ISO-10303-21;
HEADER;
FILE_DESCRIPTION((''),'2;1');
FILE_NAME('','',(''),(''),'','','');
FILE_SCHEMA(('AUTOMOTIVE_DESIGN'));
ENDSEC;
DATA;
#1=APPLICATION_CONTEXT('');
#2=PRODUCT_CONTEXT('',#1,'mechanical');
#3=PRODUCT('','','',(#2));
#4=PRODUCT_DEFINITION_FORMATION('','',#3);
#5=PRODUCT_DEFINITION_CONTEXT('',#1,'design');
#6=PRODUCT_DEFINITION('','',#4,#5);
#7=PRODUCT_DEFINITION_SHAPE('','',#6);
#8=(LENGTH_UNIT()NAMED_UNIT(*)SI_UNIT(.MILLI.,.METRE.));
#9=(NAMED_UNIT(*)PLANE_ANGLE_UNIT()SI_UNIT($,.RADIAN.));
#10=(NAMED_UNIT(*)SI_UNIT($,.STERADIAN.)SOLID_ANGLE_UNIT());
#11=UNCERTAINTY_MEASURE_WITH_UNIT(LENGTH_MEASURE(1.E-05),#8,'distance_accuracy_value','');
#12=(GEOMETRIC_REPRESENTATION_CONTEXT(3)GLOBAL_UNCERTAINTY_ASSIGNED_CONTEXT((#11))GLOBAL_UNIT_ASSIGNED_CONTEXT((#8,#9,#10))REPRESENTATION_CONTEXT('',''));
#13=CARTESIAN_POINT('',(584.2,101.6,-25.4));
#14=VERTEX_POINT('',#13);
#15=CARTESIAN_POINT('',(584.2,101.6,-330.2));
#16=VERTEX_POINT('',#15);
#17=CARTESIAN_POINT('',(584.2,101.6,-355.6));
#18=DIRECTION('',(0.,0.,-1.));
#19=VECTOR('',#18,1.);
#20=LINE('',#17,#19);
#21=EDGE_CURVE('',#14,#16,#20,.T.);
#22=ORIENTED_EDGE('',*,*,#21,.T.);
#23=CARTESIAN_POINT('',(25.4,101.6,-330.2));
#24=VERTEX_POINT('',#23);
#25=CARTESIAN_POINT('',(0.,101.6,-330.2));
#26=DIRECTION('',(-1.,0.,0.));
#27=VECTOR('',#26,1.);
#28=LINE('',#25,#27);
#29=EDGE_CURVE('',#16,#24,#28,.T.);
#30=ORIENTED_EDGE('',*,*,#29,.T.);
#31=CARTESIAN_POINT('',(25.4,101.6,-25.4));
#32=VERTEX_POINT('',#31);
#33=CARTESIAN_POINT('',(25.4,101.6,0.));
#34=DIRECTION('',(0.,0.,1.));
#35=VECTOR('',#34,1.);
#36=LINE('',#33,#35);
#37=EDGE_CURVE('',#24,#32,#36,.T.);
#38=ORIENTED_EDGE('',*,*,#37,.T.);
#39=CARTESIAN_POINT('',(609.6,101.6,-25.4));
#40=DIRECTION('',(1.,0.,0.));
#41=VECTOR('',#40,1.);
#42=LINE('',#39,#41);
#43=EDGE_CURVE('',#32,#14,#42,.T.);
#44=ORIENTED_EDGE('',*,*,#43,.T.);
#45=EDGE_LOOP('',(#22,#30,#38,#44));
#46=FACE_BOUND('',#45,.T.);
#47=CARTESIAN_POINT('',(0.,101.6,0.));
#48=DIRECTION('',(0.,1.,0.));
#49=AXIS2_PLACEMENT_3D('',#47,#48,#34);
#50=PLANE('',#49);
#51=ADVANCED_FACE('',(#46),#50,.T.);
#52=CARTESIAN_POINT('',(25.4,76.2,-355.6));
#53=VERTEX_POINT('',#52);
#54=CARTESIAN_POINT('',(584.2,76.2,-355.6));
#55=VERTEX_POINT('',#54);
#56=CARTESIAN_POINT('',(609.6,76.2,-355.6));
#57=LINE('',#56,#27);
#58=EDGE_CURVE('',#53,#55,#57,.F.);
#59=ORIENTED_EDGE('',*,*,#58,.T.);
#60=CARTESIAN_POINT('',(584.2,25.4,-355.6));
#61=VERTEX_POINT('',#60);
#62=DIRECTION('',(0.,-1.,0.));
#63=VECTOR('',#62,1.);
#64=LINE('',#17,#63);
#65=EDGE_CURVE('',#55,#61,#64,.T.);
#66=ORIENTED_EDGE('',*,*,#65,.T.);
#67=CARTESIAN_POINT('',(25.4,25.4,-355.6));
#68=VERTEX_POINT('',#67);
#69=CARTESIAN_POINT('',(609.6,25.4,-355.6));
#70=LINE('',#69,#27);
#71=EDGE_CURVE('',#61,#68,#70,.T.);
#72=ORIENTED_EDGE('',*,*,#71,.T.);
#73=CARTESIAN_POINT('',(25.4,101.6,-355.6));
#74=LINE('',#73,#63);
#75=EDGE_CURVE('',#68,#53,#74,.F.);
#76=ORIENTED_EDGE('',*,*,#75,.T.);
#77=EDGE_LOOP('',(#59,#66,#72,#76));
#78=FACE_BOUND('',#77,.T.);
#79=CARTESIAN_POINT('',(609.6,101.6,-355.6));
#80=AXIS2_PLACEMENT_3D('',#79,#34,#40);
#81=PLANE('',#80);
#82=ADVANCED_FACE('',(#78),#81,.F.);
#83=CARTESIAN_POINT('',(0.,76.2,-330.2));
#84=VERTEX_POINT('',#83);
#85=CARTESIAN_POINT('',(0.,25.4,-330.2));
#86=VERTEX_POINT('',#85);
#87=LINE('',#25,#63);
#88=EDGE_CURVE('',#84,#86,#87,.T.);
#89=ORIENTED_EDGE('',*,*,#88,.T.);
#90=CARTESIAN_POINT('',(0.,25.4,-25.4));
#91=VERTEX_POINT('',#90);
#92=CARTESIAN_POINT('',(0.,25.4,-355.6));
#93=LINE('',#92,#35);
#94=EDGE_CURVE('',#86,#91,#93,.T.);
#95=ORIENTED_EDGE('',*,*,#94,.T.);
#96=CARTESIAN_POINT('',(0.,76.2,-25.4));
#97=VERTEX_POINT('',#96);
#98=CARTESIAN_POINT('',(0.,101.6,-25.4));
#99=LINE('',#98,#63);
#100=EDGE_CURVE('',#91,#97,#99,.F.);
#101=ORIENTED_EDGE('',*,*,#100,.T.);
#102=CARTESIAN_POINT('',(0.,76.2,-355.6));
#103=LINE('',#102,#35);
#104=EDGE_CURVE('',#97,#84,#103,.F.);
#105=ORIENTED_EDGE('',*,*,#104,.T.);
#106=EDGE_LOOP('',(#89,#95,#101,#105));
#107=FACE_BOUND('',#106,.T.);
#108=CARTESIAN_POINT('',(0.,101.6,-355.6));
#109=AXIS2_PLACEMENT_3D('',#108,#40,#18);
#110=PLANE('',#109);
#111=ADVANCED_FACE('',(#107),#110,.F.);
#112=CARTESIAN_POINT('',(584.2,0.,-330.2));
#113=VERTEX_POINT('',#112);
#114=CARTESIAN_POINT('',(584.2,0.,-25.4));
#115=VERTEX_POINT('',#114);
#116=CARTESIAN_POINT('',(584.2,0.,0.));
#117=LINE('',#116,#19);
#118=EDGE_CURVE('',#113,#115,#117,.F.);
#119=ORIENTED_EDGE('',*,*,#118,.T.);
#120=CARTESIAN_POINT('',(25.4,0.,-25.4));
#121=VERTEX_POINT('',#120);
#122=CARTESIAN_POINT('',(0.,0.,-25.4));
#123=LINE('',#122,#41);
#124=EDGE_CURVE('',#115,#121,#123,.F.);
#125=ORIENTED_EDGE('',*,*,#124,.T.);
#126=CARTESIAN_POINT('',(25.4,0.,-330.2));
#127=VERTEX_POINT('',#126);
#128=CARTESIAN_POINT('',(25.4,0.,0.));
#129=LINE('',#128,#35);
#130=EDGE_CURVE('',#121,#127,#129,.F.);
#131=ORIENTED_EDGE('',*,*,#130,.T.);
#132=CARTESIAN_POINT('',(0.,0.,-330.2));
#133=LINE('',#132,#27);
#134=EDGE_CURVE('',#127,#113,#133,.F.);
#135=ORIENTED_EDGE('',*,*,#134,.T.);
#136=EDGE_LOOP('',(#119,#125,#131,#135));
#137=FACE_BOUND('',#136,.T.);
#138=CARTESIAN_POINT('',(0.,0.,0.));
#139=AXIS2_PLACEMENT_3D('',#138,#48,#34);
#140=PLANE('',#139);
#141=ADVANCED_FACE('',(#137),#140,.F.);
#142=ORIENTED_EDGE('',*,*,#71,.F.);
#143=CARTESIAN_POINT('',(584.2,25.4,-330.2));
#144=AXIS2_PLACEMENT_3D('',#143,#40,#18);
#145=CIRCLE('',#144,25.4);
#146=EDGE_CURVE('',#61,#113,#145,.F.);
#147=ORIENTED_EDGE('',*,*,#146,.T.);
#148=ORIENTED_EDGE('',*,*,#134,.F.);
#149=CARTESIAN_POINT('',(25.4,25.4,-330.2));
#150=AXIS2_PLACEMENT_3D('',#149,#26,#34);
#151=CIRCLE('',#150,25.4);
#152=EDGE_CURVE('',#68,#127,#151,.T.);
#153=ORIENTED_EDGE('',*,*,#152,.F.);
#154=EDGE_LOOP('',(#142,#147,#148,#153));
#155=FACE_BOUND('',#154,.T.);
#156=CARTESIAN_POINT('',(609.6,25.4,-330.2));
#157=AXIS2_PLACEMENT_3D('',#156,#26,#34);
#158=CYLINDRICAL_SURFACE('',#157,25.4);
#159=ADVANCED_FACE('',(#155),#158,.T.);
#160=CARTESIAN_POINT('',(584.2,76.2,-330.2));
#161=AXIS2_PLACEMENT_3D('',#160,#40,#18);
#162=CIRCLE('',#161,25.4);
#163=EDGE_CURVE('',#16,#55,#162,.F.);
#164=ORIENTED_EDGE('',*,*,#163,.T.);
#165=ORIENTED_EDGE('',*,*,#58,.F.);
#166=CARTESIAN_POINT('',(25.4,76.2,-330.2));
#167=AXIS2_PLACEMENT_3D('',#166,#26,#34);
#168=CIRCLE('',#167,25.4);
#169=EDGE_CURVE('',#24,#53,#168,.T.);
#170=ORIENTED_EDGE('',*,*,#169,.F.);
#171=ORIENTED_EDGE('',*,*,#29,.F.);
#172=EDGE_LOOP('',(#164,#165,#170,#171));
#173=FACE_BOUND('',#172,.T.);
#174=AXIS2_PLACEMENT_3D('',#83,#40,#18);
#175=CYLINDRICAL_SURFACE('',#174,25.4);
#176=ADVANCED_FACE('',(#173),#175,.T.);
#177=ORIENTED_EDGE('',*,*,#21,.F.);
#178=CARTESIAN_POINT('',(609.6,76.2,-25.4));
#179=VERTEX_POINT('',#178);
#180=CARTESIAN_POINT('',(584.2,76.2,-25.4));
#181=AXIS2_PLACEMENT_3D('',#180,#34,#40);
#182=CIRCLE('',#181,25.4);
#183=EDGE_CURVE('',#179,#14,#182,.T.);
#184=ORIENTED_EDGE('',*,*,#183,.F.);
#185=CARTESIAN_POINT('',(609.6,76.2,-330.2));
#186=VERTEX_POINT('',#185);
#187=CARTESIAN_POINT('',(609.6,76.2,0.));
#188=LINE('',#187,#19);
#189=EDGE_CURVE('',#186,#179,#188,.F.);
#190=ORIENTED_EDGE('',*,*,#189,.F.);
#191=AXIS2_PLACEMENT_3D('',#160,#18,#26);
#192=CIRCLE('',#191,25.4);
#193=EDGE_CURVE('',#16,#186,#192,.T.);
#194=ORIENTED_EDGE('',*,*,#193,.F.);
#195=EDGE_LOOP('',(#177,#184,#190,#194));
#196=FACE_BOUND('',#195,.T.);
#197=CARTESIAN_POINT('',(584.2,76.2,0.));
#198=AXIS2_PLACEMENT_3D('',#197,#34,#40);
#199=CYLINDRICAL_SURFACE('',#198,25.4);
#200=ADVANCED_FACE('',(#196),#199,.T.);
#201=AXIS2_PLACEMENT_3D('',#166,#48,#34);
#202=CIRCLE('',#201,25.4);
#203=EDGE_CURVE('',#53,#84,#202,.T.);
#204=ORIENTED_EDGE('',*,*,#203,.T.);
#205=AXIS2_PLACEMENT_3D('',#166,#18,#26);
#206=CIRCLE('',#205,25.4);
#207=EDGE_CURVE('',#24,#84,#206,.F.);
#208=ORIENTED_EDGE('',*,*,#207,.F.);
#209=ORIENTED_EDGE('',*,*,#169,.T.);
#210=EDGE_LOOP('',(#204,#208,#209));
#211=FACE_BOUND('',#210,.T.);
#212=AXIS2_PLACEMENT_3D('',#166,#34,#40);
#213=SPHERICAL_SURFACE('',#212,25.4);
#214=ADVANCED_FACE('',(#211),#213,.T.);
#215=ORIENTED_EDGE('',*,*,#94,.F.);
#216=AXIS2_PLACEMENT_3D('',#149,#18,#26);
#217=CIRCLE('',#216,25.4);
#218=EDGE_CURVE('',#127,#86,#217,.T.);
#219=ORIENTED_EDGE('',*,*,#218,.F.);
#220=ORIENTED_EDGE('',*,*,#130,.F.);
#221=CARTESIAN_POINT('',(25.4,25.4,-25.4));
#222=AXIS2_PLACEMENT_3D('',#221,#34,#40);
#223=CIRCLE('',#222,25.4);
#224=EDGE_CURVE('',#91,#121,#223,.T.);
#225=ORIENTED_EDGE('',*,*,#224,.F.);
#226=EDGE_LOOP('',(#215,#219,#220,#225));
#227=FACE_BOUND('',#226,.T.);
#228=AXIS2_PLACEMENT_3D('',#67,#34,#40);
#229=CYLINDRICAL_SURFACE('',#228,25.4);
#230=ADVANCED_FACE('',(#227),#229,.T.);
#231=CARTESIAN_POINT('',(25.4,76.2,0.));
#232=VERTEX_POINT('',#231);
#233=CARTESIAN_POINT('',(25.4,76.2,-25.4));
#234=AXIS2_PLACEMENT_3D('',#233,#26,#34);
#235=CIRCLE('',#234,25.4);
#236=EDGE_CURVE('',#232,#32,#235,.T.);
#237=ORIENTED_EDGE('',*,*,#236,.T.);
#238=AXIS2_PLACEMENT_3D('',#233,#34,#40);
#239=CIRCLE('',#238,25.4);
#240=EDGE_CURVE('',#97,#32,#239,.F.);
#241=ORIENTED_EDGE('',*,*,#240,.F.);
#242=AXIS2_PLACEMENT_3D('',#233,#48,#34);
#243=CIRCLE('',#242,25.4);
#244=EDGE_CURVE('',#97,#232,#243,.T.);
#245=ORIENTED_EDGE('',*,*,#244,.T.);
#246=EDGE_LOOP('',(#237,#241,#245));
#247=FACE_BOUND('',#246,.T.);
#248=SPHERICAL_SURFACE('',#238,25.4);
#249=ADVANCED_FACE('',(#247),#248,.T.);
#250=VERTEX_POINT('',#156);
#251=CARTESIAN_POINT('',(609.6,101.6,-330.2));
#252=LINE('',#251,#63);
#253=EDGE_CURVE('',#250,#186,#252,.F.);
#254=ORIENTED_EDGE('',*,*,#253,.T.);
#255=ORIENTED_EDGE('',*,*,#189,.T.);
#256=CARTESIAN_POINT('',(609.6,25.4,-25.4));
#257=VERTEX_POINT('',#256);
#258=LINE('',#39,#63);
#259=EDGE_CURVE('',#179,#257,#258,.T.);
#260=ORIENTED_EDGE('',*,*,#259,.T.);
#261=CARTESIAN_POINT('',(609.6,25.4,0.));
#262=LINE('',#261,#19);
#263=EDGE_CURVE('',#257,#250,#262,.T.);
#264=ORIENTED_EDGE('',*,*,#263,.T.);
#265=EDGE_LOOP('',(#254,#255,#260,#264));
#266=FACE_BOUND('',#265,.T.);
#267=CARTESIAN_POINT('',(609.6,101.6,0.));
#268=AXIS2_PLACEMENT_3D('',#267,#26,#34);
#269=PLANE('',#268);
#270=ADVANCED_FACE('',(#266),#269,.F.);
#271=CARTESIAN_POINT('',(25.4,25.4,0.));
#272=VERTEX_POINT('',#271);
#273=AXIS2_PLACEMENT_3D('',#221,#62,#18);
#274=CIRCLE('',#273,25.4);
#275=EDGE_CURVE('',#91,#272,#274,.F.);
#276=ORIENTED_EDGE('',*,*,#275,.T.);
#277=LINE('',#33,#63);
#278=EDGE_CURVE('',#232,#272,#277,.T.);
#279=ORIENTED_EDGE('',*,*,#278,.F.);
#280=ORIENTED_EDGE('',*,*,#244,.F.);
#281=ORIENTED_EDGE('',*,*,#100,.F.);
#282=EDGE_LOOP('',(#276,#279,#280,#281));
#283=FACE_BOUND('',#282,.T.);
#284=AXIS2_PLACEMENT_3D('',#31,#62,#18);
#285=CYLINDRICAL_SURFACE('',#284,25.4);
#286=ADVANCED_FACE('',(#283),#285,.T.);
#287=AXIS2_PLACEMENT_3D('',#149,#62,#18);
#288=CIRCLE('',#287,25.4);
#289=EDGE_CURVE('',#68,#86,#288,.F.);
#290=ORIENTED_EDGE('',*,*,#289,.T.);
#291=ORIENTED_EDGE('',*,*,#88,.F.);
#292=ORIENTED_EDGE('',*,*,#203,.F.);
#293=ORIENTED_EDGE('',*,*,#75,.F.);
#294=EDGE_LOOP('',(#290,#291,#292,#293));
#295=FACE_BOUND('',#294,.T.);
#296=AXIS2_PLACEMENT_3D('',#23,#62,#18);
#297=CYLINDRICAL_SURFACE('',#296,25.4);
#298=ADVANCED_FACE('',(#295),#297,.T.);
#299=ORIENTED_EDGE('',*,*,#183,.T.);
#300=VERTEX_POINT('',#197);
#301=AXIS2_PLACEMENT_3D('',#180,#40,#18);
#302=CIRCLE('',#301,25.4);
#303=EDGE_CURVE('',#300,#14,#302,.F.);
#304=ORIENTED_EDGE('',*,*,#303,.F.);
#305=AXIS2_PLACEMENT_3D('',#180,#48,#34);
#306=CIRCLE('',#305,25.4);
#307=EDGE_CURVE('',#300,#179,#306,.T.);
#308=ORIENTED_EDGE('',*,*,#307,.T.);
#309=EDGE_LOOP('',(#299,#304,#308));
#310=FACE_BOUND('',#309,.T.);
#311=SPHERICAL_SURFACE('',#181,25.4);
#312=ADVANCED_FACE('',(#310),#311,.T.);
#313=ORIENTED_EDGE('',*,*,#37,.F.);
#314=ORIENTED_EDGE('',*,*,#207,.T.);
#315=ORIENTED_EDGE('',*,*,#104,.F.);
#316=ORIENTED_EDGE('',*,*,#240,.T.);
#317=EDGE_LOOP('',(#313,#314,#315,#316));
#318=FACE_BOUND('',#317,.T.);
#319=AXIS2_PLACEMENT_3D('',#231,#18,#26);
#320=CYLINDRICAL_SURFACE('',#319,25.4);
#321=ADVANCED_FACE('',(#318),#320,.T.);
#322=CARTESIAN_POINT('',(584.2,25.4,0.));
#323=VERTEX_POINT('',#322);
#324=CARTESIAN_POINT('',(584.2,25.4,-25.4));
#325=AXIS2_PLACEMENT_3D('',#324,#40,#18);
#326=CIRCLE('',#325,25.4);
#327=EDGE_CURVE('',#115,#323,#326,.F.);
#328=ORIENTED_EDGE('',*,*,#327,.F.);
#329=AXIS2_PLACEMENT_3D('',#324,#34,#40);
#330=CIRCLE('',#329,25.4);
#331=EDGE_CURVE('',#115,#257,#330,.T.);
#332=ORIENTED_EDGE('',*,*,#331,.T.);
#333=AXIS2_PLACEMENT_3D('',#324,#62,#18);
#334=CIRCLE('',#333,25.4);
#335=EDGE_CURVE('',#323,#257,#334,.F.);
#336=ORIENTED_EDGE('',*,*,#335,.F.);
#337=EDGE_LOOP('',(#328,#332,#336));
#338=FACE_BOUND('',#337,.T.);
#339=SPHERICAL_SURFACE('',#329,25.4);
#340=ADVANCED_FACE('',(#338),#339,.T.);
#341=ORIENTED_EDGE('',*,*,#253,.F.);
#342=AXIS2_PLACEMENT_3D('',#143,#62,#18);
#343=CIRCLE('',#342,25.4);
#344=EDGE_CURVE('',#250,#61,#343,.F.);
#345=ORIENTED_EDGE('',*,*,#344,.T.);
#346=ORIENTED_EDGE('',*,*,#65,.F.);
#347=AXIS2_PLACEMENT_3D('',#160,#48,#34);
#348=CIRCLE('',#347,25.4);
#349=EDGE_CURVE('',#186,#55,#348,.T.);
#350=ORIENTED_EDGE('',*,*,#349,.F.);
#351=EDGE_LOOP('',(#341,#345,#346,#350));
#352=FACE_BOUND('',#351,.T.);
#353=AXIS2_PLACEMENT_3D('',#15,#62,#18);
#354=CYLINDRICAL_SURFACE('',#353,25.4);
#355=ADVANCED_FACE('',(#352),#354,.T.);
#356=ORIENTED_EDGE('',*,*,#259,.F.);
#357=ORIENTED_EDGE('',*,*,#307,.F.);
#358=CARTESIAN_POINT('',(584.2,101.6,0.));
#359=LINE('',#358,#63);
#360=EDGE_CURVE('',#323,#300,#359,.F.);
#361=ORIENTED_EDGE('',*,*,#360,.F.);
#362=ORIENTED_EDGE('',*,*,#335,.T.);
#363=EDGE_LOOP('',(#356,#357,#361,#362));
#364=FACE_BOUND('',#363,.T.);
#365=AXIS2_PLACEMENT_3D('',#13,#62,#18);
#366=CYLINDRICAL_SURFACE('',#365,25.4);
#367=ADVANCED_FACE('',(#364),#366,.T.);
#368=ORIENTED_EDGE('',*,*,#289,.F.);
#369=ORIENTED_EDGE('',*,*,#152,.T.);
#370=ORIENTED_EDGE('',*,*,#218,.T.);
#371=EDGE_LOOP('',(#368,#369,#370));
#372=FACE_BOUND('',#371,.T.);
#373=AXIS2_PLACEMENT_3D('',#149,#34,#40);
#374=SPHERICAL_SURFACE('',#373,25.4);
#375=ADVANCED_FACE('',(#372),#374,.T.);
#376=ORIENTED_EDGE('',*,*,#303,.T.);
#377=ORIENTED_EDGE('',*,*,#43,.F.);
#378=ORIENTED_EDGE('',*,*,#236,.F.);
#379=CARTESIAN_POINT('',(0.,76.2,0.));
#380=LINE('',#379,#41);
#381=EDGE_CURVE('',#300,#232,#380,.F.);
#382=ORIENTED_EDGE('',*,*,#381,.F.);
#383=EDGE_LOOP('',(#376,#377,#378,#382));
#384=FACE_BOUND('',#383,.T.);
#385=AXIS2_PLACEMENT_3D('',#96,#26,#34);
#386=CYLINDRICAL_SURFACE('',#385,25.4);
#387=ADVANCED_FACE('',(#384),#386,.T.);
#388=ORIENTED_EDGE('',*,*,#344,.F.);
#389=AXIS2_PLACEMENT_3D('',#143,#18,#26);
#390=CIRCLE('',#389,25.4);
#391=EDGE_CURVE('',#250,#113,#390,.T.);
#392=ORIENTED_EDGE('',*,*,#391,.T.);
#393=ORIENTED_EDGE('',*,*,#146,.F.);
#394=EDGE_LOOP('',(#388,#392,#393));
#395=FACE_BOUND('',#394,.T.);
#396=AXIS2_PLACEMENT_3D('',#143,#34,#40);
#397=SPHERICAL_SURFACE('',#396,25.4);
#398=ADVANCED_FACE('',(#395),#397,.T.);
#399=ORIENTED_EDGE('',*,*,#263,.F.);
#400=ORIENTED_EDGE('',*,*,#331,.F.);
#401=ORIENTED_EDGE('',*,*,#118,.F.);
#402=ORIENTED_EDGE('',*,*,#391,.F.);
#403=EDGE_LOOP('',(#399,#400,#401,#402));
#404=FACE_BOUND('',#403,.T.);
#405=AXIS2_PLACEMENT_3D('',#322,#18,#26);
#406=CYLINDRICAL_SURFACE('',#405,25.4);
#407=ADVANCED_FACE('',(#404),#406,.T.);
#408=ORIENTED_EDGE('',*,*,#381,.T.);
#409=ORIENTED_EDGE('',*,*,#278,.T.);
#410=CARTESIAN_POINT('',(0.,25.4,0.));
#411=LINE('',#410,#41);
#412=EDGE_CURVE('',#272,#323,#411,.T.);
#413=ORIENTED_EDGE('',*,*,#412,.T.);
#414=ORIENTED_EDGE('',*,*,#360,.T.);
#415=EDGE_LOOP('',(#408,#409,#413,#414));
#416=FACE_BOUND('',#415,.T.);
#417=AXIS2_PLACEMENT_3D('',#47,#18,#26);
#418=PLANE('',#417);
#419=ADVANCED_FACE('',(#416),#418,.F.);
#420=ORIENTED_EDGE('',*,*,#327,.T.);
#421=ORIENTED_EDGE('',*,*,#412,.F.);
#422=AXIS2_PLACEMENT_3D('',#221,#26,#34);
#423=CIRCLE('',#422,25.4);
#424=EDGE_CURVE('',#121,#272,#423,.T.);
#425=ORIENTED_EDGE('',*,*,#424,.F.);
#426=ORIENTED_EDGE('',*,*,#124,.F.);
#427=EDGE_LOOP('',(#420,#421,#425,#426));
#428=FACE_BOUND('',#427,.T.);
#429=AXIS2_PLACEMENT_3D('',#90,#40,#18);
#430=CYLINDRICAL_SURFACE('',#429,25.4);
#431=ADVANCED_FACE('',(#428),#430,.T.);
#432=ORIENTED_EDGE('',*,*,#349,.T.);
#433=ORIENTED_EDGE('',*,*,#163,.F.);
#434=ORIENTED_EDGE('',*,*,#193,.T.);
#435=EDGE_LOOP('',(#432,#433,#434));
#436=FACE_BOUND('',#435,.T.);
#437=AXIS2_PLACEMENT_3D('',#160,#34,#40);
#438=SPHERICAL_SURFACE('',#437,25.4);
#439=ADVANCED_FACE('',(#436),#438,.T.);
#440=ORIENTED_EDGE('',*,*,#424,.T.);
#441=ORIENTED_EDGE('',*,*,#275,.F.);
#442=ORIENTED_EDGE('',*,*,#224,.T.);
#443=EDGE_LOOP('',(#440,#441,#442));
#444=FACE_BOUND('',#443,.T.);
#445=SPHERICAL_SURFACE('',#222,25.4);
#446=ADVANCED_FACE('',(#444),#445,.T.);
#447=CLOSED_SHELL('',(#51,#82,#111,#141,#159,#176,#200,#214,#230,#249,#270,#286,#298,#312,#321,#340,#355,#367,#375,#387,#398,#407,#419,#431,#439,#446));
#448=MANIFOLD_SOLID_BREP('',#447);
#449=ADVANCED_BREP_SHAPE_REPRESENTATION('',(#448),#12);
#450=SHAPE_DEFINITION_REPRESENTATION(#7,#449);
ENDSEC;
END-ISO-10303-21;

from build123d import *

# Parameters (mm, degrees)
SKETCH1_W           = 609.6
SKETCH1_H           = 355.6
BOSS_EXTRUDE1_DEPTH = 101.6
FILLET1_R           = 25.4


with BuildPart() as part:
    # Sketch1 → Boss-Extrude1 (new body)
    with BuildSketch(Plane(origin=(0, 0, 0), x_dir=(1, 0, 0), z_dir=(0, 1, 0))):
        with Locations((304.8, 177.8)):
            Rectangle(SKETCH1_W, SKETCH1_H)
    extrude(amount=BOSS_EXTRUDE1_DEPTH)

    # Fillet1
    fillet1_edges = [part.edges().sort_by_distance(p)[0] for p in [
        (609.6, 101.6, -177.8),
        (304.8, 101.6, -355.6),
        (0, 101.6, -177.8),
        (304.8, 0, -355.6),
        (609.6, 0, -177.8),
        (304.8, 0, 0),
        (0, 0, -177.8),
        (304.8, 101.6, 0),
        (0, 50.8, -355.6),
        (609.6, 50.8, -355.6),
        (609.6, 50.8, 0),
        (0, 50.8, 0),
    ]]
    fillet(fillet1_edges, radius=FILLET1_R)


solid = part.part
